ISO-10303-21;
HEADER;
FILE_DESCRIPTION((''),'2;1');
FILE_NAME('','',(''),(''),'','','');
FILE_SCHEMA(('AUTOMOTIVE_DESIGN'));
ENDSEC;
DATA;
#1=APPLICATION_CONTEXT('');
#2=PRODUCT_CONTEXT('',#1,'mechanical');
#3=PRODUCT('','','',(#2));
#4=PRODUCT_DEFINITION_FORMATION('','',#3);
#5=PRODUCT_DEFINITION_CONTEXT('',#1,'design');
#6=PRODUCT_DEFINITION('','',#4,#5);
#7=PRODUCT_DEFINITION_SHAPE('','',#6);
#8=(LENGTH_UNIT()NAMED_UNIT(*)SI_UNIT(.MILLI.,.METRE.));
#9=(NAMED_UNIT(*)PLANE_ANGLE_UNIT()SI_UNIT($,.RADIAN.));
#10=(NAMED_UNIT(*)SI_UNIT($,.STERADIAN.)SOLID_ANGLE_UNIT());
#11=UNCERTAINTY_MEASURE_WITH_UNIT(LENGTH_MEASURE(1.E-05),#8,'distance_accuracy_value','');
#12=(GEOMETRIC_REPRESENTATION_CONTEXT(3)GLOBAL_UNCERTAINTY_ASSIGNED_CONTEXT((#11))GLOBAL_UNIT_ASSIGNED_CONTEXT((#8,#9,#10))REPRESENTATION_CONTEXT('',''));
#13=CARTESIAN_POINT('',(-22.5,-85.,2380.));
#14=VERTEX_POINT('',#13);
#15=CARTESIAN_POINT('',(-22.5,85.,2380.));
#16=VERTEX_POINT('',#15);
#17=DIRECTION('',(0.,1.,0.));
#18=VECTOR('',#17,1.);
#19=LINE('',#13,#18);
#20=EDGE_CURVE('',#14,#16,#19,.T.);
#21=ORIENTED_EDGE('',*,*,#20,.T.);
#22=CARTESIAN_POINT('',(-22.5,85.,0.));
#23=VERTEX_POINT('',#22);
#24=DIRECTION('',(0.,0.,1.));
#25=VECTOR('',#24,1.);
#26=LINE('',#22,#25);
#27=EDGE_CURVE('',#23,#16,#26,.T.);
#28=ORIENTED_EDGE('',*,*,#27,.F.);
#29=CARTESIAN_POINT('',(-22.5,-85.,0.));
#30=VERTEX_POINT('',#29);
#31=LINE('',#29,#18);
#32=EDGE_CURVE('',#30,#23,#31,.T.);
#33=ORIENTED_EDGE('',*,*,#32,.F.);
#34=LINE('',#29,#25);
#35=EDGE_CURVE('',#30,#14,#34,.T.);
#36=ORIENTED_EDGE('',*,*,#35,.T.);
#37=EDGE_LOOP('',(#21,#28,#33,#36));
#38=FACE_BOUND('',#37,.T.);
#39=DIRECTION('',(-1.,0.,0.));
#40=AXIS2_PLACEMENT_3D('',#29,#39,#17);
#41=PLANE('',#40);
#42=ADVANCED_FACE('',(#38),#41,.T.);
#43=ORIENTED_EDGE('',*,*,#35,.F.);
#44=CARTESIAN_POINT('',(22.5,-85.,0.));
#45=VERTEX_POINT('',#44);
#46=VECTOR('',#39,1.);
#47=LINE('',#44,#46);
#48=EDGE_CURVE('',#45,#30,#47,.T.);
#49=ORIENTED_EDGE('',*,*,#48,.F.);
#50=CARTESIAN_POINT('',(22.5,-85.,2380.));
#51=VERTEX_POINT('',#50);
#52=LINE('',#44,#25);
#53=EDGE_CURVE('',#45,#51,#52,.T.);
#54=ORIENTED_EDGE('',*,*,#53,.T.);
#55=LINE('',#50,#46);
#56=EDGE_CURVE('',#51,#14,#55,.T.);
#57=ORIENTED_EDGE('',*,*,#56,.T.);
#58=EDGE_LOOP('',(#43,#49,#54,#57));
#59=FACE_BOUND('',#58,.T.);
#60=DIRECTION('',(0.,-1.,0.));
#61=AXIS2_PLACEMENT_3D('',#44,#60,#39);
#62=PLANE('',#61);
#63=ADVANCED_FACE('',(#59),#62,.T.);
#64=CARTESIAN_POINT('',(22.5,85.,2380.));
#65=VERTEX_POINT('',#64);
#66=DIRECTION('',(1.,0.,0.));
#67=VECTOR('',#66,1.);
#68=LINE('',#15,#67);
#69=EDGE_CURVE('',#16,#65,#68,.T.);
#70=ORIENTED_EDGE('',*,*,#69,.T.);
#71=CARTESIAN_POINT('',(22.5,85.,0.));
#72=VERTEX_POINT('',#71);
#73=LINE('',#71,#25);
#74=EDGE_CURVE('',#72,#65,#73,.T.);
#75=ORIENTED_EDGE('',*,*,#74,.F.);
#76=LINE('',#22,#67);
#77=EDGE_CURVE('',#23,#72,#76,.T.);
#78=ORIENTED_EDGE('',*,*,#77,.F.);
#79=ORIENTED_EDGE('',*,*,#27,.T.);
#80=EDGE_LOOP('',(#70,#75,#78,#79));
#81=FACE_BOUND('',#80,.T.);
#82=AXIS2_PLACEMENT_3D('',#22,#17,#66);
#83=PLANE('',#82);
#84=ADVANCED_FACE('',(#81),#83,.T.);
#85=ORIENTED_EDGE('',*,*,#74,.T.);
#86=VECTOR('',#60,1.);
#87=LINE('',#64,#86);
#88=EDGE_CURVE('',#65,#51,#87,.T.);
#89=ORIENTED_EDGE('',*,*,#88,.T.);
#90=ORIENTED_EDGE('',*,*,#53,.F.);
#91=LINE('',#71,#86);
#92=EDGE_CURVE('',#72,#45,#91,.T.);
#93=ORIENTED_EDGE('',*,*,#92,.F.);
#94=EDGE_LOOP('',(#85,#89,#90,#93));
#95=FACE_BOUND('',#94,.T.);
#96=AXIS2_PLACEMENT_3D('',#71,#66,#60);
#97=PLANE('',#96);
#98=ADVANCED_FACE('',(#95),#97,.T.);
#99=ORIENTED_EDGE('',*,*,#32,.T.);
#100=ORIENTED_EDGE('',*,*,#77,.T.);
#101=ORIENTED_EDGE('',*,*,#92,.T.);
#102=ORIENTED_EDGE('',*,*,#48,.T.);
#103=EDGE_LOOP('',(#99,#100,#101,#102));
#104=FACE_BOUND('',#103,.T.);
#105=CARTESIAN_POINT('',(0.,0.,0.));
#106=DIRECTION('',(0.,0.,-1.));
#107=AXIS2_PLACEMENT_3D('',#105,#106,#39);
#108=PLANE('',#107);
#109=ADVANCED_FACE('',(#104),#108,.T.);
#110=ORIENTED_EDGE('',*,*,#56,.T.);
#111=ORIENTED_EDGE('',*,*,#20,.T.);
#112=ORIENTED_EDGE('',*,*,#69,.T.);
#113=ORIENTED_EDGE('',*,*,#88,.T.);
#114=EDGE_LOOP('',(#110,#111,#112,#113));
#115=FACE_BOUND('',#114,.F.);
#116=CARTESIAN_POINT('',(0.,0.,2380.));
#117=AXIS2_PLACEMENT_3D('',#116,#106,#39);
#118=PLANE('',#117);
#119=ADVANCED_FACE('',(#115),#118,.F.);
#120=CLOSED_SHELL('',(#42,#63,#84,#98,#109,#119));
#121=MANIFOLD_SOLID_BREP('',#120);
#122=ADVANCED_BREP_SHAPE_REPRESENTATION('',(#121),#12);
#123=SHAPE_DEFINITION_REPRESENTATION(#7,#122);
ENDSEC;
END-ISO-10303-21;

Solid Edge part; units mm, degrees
sketch "Sketch1" plane through (0, 0, 0) normal (0, 0, -1) x (-1, 0, 0)
  line L0 (-22.5, -85) -> (22.5, -85)
  line L1 (22.5, -85) -> (22.5, 85)
  line L2 (22.5, 85) -> (-22.5, 85)
  line L3 (-22.5, 85) -> (-22.5, -85)
extrude "Protrusion1" add sketch "Sketch1" against normal blind 2380
properties material "Wood, Pine"
